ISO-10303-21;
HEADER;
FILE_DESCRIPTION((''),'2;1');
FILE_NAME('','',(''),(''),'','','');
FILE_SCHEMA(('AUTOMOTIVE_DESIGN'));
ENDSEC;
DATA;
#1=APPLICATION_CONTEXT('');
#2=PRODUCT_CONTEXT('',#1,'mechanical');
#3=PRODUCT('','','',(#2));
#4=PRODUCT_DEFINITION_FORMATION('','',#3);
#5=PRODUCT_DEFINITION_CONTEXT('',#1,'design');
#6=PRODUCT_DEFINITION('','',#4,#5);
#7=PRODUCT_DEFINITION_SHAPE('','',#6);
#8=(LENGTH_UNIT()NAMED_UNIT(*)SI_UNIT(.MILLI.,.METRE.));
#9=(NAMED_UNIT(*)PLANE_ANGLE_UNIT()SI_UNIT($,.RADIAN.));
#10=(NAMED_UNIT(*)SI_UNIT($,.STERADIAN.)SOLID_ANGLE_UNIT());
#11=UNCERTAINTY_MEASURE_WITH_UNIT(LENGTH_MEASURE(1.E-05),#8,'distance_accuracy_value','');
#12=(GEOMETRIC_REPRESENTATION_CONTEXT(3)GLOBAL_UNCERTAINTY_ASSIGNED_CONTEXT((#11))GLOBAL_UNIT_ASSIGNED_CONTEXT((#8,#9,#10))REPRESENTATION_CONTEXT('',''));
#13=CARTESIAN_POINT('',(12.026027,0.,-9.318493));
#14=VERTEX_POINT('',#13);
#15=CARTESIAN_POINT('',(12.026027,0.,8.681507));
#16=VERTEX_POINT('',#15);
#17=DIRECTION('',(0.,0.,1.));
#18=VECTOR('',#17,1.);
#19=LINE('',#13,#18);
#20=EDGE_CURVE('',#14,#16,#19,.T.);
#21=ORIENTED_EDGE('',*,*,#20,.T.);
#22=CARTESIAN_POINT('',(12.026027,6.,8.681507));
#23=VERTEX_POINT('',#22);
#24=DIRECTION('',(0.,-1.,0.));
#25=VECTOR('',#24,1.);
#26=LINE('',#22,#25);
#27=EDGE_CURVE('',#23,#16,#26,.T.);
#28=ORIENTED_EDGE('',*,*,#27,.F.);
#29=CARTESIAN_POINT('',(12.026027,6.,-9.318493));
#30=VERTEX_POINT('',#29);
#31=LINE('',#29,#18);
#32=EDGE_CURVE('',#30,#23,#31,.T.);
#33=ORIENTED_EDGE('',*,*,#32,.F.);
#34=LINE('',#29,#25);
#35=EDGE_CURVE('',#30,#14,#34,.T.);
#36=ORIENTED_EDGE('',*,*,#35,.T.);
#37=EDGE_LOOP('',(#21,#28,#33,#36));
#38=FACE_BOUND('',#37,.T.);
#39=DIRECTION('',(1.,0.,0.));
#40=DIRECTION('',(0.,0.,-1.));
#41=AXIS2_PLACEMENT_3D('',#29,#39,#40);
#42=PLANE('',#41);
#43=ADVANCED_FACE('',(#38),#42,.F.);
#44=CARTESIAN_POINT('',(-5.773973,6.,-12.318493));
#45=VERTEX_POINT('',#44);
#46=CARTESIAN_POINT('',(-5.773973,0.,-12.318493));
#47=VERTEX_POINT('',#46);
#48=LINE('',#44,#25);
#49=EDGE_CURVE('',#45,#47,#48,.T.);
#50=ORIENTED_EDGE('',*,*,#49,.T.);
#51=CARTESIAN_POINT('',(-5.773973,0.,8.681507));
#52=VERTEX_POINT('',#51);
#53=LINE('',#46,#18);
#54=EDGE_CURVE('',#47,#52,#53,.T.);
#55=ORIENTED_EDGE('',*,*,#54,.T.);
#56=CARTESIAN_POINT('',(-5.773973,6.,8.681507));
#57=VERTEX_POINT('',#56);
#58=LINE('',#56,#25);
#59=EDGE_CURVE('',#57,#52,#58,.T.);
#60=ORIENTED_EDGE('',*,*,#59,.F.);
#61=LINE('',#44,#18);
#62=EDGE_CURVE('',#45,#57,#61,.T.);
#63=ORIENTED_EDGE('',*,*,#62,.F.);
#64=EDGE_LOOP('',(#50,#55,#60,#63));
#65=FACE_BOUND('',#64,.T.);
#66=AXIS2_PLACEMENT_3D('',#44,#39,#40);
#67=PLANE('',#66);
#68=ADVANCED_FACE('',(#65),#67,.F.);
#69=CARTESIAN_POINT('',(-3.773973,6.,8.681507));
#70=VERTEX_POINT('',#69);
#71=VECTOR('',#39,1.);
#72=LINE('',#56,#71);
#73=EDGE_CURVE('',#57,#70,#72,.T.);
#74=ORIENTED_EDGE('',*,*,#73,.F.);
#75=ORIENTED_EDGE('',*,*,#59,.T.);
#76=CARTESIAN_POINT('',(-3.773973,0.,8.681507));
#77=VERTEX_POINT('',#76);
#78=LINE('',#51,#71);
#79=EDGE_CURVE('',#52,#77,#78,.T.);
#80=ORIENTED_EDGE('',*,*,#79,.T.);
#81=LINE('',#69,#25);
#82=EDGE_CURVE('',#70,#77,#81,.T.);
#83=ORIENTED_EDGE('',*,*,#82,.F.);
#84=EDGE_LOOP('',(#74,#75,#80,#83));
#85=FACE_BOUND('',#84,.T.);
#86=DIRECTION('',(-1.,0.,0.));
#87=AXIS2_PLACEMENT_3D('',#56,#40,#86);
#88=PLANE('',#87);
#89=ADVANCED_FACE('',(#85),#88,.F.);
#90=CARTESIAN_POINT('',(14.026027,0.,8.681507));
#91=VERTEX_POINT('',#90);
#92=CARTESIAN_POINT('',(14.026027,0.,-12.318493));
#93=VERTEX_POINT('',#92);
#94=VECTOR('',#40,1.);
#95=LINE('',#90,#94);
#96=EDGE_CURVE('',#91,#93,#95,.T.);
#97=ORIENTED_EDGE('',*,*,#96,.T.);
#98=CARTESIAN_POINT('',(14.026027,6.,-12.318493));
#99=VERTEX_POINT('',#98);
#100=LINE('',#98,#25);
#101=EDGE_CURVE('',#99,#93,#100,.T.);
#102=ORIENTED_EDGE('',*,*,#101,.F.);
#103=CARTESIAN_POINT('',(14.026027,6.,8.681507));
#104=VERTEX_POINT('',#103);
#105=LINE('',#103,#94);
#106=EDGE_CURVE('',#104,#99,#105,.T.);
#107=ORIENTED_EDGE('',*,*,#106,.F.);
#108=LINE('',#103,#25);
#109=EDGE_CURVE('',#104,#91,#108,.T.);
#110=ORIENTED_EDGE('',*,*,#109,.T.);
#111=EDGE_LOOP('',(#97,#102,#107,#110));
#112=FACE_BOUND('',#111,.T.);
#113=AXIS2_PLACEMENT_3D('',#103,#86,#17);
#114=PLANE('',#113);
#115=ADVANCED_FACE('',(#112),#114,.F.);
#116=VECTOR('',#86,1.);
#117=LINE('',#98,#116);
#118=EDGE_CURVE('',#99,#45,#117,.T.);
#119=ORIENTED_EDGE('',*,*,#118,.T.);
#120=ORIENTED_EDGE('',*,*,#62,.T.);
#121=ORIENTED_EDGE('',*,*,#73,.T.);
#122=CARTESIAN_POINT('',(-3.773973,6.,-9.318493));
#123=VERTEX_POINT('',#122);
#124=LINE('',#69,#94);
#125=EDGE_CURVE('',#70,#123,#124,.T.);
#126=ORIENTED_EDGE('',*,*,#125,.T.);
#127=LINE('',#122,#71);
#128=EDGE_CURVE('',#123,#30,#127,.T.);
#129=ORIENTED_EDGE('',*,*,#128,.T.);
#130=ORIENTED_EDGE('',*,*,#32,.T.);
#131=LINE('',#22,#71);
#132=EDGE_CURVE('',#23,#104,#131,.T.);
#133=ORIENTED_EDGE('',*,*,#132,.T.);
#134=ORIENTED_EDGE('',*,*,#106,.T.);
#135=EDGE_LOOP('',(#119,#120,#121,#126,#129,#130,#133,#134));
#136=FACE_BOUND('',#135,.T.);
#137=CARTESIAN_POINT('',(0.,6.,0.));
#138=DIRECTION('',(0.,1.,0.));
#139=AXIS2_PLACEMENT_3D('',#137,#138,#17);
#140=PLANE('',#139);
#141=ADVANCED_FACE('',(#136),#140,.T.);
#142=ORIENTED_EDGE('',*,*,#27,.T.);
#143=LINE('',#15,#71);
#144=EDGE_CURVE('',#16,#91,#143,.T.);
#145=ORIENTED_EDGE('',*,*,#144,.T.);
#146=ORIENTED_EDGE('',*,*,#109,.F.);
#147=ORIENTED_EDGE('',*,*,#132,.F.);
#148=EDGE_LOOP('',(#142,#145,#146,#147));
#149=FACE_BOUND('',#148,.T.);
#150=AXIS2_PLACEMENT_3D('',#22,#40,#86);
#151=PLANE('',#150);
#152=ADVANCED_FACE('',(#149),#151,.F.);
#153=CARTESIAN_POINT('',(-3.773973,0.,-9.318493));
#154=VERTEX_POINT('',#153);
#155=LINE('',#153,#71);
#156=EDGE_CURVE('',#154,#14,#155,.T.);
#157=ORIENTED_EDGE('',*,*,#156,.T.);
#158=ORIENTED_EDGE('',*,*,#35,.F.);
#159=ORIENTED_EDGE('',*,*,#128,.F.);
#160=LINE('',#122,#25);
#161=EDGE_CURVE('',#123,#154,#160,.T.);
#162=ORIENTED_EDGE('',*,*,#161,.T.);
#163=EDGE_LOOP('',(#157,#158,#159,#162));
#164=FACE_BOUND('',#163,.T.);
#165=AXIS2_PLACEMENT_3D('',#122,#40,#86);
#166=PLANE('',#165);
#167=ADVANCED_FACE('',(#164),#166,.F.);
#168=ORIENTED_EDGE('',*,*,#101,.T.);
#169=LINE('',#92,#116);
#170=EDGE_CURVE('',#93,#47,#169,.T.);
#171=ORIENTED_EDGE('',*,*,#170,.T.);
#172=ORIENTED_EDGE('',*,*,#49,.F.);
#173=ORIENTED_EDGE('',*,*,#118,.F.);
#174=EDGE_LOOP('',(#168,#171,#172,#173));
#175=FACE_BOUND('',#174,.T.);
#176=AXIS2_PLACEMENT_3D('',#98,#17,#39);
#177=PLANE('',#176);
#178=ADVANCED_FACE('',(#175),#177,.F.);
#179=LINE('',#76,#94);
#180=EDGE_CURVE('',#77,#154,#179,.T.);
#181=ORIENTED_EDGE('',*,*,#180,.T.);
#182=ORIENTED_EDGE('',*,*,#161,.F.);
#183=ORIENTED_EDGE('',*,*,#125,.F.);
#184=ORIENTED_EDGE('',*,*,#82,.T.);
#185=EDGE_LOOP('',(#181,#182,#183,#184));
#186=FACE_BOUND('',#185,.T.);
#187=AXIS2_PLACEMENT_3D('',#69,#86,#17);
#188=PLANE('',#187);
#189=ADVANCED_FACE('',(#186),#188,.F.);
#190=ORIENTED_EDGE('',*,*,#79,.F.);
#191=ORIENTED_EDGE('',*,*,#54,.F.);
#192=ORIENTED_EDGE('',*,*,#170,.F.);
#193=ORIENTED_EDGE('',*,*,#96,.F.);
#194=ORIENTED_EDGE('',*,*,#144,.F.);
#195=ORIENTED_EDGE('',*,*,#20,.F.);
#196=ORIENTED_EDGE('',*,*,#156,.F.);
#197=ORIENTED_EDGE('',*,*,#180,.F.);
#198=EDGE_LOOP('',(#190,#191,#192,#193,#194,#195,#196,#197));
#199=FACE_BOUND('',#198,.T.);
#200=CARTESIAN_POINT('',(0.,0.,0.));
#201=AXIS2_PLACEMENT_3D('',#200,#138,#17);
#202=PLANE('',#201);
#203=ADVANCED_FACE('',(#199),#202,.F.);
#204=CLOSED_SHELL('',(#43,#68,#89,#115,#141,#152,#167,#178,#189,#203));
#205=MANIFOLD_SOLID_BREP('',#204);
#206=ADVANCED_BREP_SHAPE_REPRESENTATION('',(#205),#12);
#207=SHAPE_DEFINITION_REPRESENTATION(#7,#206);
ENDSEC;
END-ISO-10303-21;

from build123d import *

# Parameters (mm, degrees)
BOSS_EXTRUDE1_DEPTH = 6


with BuildPart() as part:
    # Sketch1 → Boss-Extrude1 (new body)
    with BuildSketch(Plane(origin=(0, 0, 0), x_dir=(1, 0, 0), z_dir=(0, 1, 0))):
        Polygon((-5.773972603, 12.318493151), (-5.773972603, -8.681506849), (-3.773972603, -8.681506849), (-3.773972603, 9.318493151), (12.026027397, 9.318493151), (12.026027397, -8.681506849), (14.026027397, -8.681506849), (14.026027397, 12.318493151), align=None)
    extrude(amount=BOSS_EXTRUDE1_DEPTH)


solid = part.part
